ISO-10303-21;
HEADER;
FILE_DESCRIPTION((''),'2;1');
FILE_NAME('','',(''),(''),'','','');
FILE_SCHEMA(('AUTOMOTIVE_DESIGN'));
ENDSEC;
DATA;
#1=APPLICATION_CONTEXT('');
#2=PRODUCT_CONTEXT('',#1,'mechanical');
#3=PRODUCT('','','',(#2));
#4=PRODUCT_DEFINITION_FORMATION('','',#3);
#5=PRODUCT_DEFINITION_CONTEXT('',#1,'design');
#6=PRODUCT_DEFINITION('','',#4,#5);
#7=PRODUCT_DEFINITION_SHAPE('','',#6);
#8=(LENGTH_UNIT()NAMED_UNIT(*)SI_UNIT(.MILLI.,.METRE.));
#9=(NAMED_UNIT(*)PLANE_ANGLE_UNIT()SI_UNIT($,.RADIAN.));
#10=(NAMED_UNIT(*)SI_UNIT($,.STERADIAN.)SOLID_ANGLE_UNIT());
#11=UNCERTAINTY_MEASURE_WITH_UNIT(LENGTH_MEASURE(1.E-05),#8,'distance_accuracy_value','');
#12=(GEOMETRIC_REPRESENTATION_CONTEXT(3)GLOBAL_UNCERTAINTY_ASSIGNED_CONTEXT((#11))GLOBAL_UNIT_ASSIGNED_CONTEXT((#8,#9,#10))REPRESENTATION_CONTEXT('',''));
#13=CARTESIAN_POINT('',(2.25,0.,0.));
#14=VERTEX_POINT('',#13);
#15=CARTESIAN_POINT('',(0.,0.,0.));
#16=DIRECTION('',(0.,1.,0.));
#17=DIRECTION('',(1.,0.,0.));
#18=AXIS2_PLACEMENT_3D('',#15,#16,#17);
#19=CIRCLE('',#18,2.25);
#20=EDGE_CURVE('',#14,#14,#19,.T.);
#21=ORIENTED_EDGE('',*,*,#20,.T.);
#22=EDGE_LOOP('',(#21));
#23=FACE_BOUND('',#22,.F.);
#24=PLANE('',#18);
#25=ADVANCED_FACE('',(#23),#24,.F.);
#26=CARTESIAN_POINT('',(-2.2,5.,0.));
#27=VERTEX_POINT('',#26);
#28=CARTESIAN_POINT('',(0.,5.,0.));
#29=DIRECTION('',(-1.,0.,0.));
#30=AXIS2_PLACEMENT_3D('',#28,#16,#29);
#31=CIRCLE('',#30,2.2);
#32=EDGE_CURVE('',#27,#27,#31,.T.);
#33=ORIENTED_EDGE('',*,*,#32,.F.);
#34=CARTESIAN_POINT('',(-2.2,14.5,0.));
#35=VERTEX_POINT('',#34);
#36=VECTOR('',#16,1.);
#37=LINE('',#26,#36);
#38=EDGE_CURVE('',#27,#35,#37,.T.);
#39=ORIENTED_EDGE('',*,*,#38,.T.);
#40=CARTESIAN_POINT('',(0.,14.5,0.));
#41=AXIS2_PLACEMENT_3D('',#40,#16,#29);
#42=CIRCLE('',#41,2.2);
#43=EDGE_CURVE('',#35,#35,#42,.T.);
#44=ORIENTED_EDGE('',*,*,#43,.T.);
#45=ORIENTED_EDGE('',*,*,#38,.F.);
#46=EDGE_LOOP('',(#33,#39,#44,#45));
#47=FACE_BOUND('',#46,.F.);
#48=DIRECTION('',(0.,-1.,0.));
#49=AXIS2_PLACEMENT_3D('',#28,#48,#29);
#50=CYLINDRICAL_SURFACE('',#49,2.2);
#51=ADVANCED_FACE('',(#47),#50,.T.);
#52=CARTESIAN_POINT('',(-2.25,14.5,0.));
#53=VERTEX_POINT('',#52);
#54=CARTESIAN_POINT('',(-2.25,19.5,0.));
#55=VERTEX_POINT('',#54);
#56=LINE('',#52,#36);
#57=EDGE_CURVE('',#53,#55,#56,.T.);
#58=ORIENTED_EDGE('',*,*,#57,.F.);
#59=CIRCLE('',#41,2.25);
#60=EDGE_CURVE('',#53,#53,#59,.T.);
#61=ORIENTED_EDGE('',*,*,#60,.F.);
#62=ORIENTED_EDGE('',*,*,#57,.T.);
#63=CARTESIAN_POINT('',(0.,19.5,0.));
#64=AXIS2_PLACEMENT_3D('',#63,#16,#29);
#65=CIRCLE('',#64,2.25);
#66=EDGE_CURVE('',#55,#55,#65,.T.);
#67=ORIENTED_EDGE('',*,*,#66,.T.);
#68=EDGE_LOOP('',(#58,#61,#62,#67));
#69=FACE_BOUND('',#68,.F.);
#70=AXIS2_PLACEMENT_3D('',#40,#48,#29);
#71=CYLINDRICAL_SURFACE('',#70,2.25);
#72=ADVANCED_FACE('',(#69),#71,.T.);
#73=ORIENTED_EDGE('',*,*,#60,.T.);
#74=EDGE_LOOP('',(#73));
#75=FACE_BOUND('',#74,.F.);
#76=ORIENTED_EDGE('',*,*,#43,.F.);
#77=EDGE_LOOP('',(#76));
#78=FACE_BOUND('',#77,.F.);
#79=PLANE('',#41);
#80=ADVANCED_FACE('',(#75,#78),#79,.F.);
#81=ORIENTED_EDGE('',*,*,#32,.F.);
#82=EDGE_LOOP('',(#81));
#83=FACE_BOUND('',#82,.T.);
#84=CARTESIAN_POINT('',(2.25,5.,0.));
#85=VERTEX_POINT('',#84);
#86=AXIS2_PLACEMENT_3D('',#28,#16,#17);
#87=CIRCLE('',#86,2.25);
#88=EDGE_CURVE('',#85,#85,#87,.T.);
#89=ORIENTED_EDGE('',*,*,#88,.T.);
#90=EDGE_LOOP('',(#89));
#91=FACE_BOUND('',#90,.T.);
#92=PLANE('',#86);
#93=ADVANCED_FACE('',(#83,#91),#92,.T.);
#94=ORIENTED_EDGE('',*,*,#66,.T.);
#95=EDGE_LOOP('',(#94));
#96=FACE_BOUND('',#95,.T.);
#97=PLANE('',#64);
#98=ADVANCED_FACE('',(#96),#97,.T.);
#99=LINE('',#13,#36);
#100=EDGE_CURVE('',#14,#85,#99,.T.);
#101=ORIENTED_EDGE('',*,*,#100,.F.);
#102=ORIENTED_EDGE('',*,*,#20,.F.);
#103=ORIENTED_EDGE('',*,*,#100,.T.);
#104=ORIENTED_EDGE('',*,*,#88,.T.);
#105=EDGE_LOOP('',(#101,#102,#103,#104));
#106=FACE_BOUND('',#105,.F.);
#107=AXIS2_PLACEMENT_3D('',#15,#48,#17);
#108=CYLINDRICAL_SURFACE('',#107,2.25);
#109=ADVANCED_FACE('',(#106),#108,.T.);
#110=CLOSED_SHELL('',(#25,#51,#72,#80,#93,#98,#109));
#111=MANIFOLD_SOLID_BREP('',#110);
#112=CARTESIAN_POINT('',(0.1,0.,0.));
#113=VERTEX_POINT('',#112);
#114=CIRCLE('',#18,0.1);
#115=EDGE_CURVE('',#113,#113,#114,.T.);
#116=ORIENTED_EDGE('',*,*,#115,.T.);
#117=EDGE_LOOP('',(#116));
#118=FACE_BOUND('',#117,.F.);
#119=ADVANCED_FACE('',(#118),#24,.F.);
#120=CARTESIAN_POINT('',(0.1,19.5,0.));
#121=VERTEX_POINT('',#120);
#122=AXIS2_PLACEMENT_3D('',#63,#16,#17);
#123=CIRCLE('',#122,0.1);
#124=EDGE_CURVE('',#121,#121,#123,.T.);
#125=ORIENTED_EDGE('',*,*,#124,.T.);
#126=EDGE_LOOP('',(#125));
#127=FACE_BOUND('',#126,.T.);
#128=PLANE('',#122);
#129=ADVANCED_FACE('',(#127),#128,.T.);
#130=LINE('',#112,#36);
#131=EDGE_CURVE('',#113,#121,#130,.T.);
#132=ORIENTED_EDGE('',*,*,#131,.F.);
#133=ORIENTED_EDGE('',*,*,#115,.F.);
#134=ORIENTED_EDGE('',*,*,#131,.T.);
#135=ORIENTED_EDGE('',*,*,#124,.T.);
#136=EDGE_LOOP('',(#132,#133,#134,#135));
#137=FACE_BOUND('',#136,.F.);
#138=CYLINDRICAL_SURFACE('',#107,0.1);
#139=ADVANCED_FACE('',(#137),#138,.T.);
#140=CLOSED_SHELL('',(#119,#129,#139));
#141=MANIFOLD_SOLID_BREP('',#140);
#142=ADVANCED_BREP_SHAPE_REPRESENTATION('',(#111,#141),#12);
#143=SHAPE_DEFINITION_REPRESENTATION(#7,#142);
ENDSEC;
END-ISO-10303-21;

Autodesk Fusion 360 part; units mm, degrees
sketch "Sketch1" plane through (0, 0, 0) normal (0, 1, 0) x (1, 0, 0)
  circle A0 centre (0, 0) radius 2.25
  dimension "d1" = 4.5
extrude "Extrude1" add sketch "Sketch1" along normal blind 5 makes body 1
sketch "Sketch2" plane through (0, 5, 0) normal (0, 1, 0) x (-1, 0, 0)
  circle A0 centre (0, 0) radius 2.25
  circle A1 centre (0, 0) radius 2.2
  dimension "d4" = 4.4
extrude "Extrude2" add sketch "Sketch2" along normal blind 9.5 contours A1 bodies 1
sketch "Sketch3" plane through (0, 14.5, 0) normal (0, 1, 0) x (-1, 0, 0)
  circle A0 centre (0, 0) radius 2.2
  circle A1 centre (0, 0) radius 2.25
  dimension "d7" = 4.5
extrude "Extrude3" add sketch "Sketch3" along normal blind 5 separate body makes body 2
extrude "Extrude4" add 1 faces at (-0.5815, 14.5, -0.3062) along direction (0, 1, 0) blind 5 on bodies 1 bodies 1 2
sketch "Sketch4" plane through (0, 0, 0) normal (0, 1, 0) x (1, 0, 0)
  circle A0 centre (0, 0) radius 0.1
  dimension "d12" = 0.2
extrude "Extrude5" add sketch "Sketch4" along normal blind 19.5 bodies 1
sketch "Sketch5" plane through (0, 0, 0) normal (0, 1, 0) x (1, 0, 0)
  circle A0 centre (0, 0) radius 0.1
  dimension "d15" = 0.2
extrude "Extrude6" add sketch "Sketch5" along normal blind 19.5 bodies 1
sketch "Sketch6" plane through (0, 0, 0) normal (0, -1, 0) x (1, 0, 0)
  circle A0 centre (0, 0) radius 2.25
  circle A1 centre (0, 0) radius 0.25
  dimension "d18" = 0.5
extrude "Extrude7" add sketch "Sketch6" against normal blind 19.5 contours A1 bodies 1
sketch "Sketch7" plane through (0, 0, 0) normal (0, 1, 0) x (1, 0, 0)
  circle A0 centre (0, 0) radius 0.1
  dimension "d23" = 0.2
extrude "Extrude1'" add sketch "Sketch7" along normal blind 19.5 separate body makes body 3 in component "Component"
component "Component" placed x (1, 0, 0) y (0, 1, 0) z (0, 0, 1) at (0, 0, 0)
